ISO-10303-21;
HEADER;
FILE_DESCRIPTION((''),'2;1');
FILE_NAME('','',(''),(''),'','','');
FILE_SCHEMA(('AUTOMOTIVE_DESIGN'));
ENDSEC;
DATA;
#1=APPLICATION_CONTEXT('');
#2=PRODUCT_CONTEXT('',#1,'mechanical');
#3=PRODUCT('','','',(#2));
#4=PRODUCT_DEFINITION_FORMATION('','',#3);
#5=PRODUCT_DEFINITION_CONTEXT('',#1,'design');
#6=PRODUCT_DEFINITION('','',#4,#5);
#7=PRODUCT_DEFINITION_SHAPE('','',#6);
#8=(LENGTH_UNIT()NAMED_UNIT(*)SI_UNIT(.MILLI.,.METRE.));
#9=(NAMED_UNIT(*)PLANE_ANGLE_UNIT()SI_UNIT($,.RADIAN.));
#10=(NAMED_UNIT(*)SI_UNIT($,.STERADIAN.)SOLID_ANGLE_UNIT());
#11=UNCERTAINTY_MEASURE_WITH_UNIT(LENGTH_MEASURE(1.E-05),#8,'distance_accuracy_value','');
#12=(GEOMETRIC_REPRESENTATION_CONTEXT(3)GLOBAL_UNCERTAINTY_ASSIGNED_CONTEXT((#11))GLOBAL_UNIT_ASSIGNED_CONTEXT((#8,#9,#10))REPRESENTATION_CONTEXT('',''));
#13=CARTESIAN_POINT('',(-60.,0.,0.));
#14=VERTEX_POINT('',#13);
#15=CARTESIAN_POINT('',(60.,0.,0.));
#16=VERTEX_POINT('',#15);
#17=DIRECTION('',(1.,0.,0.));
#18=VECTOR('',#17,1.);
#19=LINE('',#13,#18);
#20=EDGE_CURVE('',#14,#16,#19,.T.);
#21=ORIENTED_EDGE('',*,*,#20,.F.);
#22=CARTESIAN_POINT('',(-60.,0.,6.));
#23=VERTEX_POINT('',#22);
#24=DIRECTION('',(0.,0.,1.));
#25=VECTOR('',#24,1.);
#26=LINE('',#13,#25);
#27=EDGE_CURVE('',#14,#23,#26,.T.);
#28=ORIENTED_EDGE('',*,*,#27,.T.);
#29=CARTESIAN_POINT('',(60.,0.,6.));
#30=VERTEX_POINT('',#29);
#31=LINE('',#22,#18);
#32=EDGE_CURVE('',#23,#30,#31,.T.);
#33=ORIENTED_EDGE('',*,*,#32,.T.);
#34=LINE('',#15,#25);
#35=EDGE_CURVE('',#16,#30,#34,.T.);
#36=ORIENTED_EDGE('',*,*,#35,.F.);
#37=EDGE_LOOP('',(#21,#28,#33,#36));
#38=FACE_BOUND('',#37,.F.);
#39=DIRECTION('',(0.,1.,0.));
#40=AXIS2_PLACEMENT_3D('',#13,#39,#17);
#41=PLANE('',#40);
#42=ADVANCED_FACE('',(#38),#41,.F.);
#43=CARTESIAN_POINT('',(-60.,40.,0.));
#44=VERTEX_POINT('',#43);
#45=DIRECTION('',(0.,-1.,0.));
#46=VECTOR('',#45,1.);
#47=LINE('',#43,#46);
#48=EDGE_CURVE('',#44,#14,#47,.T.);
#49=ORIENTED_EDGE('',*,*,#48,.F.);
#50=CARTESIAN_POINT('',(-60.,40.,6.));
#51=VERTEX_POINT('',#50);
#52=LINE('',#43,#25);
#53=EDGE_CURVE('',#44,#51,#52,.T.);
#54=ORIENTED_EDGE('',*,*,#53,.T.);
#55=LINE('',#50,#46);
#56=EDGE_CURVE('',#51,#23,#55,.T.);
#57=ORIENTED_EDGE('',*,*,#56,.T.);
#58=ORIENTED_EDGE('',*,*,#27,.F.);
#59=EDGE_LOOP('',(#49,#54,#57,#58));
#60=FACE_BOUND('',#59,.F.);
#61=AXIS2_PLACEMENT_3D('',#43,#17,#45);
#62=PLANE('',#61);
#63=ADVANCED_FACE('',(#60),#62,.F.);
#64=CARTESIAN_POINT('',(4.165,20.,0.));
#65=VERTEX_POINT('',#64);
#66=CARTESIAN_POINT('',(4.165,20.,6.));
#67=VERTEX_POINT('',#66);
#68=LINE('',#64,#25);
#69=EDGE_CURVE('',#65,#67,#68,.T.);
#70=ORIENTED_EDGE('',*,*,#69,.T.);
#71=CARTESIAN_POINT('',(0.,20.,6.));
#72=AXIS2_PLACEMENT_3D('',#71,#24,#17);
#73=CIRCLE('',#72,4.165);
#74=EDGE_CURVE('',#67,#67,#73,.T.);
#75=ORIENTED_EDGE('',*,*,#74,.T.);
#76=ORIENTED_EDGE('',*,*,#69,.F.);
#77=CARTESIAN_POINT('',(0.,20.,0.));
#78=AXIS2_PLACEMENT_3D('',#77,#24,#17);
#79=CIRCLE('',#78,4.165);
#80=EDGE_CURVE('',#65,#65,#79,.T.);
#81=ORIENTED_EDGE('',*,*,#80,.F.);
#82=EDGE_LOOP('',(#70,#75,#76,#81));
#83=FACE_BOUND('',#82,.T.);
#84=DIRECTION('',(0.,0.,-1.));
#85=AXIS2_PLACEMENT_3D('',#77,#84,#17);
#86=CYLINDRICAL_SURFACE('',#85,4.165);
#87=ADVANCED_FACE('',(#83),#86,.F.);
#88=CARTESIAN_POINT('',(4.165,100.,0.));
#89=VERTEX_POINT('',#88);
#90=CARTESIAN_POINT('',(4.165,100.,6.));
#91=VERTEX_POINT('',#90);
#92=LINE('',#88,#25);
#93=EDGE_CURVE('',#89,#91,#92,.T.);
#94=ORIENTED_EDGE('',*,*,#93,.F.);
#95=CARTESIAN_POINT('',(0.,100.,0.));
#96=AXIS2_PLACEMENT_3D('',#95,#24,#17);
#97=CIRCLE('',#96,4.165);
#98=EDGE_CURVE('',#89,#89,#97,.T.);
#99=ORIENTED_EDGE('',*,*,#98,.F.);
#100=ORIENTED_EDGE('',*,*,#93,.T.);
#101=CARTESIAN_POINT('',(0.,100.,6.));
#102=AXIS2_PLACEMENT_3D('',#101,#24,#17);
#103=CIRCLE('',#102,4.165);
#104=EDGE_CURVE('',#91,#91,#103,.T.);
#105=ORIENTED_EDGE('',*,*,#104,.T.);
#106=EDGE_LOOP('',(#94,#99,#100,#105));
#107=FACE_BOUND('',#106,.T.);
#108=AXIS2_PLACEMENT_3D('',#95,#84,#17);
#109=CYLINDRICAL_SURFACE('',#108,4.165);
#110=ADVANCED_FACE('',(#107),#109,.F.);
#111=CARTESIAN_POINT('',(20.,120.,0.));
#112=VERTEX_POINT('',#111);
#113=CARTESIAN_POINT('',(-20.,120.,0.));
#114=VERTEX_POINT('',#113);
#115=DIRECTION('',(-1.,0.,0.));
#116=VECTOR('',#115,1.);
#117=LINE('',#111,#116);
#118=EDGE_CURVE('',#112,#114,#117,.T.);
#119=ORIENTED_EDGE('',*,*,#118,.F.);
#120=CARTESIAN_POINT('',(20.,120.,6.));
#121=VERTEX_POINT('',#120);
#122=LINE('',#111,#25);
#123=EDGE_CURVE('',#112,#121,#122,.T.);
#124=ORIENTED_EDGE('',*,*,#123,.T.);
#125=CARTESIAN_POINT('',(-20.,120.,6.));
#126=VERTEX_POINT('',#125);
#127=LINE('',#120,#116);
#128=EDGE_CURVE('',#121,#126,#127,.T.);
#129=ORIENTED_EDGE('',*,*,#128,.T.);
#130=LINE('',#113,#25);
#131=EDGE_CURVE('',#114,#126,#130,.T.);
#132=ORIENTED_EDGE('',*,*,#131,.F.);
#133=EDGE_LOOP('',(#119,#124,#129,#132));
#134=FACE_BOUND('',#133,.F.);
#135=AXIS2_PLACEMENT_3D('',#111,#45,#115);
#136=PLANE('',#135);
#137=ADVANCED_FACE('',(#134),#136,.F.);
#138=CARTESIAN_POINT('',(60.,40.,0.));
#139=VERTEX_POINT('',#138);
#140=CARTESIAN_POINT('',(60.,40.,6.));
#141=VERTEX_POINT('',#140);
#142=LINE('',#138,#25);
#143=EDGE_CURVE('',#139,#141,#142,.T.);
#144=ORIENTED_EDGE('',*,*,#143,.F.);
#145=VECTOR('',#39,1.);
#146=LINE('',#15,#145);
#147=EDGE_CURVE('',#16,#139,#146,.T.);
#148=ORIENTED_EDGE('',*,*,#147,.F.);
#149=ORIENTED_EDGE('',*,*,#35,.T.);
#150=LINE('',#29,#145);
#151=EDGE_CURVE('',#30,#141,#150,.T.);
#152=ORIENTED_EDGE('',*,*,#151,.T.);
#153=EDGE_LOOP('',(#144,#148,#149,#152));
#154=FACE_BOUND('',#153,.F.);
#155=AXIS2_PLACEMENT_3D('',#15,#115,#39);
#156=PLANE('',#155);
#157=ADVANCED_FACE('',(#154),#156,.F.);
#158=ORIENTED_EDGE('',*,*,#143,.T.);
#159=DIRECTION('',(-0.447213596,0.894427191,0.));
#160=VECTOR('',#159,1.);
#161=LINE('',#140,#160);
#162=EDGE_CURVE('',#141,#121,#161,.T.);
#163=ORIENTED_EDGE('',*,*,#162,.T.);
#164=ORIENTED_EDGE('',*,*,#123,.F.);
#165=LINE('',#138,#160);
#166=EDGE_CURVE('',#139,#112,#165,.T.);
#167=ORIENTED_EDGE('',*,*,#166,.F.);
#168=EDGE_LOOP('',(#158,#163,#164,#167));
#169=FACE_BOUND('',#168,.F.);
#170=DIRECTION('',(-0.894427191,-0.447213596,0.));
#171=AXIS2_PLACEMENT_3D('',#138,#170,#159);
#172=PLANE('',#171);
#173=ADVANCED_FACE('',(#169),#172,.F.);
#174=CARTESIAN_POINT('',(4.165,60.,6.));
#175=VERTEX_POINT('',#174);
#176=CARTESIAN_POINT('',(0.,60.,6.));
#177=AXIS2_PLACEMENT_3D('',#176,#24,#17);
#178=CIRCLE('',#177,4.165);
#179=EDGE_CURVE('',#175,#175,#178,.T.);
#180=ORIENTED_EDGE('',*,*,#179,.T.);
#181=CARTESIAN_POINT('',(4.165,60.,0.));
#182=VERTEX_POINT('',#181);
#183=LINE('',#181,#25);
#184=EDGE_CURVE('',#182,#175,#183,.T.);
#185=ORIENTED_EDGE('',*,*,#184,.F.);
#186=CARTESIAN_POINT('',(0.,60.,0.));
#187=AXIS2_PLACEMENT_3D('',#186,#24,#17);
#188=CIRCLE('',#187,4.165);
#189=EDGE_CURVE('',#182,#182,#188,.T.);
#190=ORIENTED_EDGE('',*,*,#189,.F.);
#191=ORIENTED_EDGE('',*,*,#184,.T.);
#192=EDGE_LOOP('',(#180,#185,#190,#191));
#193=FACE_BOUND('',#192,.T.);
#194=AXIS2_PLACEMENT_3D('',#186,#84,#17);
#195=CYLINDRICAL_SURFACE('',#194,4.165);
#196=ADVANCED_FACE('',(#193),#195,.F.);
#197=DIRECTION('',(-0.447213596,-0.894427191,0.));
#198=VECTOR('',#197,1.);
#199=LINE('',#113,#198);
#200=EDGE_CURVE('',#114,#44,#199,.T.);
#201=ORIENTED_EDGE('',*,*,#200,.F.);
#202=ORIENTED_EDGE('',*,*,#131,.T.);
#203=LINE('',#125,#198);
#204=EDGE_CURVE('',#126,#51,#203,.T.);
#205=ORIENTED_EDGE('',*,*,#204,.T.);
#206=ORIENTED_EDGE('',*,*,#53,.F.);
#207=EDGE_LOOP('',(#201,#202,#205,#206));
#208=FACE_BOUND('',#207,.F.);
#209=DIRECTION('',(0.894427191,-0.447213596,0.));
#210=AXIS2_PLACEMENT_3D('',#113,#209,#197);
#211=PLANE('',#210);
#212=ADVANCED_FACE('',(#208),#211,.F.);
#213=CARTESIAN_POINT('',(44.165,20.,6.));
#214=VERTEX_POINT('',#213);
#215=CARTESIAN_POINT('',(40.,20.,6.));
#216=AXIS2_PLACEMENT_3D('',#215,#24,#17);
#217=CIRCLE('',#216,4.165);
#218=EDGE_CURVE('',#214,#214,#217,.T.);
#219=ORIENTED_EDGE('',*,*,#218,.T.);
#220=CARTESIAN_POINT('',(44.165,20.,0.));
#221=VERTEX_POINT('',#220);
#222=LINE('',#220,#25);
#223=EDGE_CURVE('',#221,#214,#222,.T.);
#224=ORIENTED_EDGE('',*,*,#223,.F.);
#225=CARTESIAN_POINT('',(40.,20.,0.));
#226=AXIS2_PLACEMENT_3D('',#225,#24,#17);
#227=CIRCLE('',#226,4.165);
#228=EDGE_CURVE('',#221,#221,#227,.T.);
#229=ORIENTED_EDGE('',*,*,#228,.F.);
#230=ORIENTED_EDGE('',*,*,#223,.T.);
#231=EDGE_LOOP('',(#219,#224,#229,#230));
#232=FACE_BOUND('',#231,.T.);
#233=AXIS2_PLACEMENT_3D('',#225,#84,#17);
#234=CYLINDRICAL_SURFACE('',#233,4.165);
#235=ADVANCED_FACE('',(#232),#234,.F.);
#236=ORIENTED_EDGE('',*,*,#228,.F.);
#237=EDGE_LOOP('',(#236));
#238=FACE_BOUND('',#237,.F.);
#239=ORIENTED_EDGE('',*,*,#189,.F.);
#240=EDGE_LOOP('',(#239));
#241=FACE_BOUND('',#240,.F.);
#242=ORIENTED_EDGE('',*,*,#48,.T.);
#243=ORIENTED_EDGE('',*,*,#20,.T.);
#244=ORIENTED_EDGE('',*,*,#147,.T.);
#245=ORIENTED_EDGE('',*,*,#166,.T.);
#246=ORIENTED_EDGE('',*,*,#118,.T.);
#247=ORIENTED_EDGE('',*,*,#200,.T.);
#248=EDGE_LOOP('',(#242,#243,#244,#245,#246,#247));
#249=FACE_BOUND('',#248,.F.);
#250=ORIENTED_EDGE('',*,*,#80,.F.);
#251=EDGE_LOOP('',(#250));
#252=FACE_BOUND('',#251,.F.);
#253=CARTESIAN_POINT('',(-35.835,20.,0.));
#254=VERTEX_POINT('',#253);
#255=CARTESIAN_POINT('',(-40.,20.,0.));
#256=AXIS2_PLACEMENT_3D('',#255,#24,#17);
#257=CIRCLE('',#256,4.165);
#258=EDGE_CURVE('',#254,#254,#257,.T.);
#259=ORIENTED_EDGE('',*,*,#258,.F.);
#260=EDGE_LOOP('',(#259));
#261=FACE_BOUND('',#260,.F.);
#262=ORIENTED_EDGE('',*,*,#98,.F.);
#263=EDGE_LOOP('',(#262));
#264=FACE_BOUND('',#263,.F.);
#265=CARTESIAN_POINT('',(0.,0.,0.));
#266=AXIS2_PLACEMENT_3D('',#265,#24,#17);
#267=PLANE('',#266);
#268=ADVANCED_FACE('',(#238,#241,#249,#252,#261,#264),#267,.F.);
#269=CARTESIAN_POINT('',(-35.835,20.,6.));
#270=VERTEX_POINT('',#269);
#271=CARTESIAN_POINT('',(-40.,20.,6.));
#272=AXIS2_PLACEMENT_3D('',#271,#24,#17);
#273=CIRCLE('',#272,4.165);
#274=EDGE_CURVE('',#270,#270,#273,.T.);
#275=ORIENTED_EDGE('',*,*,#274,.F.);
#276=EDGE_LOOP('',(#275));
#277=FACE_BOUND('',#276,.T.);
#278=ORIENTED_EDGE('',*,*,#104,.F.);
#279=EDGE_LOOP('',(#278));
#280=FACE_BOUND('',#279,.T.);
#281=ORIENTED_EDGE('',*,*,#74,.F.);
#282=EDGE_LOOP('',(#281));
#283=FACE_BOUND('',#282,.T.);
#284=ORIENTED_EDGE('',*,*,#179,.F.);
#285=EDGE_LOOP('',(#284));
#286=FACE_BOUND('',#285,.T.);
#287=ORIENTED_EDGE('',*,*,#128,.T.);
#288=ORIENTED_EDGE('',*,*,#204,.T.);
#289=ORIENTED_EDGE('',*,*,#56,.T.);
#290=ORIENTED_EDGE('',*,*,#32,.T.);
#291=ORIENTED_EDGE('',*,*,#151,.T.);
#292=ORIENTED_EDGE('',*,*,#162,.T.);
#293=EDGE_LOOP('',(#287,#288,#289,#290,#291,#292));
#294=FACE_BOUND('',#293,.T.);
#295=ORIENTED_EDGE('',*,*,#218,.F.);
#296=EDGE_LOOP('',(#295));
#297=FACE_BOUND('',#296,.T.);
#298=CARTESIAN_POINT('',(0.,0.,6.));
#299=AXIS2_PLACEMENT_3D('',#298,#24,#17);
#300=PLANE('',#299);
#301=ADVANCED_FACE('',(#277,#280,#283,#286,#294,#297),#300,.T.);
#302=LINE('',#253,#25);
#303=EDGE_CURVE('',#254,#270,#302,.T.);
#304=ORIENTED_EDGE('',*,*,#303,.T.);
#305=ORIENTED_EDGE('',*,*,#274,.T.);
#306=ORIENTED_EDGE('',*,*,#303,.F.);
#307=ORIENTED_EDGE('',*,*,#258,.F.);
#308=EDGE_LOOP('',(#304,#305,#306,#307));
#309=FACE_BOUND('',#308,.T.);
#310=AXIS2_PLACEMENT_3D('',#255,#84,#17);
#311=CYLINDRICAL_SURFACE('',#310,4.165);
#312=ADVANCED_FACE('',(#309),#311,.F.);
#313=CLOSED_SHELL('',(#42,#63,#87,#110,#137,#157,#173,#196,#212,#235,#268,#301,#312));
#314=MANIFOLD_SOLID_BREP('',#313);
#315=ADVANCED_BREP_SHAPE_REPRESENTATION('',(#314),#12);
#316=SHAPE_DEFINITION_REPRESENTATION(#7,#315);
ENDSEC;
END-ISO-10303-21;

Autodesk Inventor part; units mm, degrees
ref_plane "YZ Plane" through (0, 0, 0) normal (1, 0, 0) x (0, 1, 0)
ref_plane "XZ Plane" through (0, 0, 0) normal (0, 1, 0) x (-1, 0, 0)
ref_plane "XY Plane" through (0, 0, 0) normal (0, 0, 1) x (1, 0, 0)
sketch "Sketch_1" plane through (0, 0, 0) normal (0, 0, 1) x (1, 0, 0)
  line L0 (-60, 40) -> (-60, 0)
  line L1 (-60, 0) -> (60, 0)
  line L2 (60, 0) -> (60, 40)
  line L3 (60, 40) -> (20, 120)
  line L4 (20, 120) -> (-20, 120)
  line L5 (-20, 120) -> (-60, 40)
  circle A0 centre (40, 20) radius 4.165
  circle A1 centre (0, 60) radius 4.165
  circle A2 centre (0, 100) radius 4.165
  circle A3 centre (0, 20) radius 4.165
  circle A4 centre (-40, 20) radius 4.165
extrude "Extrusion1" add sketch "Sketch_1" along normal blind 6
properties part number "40-4340"
